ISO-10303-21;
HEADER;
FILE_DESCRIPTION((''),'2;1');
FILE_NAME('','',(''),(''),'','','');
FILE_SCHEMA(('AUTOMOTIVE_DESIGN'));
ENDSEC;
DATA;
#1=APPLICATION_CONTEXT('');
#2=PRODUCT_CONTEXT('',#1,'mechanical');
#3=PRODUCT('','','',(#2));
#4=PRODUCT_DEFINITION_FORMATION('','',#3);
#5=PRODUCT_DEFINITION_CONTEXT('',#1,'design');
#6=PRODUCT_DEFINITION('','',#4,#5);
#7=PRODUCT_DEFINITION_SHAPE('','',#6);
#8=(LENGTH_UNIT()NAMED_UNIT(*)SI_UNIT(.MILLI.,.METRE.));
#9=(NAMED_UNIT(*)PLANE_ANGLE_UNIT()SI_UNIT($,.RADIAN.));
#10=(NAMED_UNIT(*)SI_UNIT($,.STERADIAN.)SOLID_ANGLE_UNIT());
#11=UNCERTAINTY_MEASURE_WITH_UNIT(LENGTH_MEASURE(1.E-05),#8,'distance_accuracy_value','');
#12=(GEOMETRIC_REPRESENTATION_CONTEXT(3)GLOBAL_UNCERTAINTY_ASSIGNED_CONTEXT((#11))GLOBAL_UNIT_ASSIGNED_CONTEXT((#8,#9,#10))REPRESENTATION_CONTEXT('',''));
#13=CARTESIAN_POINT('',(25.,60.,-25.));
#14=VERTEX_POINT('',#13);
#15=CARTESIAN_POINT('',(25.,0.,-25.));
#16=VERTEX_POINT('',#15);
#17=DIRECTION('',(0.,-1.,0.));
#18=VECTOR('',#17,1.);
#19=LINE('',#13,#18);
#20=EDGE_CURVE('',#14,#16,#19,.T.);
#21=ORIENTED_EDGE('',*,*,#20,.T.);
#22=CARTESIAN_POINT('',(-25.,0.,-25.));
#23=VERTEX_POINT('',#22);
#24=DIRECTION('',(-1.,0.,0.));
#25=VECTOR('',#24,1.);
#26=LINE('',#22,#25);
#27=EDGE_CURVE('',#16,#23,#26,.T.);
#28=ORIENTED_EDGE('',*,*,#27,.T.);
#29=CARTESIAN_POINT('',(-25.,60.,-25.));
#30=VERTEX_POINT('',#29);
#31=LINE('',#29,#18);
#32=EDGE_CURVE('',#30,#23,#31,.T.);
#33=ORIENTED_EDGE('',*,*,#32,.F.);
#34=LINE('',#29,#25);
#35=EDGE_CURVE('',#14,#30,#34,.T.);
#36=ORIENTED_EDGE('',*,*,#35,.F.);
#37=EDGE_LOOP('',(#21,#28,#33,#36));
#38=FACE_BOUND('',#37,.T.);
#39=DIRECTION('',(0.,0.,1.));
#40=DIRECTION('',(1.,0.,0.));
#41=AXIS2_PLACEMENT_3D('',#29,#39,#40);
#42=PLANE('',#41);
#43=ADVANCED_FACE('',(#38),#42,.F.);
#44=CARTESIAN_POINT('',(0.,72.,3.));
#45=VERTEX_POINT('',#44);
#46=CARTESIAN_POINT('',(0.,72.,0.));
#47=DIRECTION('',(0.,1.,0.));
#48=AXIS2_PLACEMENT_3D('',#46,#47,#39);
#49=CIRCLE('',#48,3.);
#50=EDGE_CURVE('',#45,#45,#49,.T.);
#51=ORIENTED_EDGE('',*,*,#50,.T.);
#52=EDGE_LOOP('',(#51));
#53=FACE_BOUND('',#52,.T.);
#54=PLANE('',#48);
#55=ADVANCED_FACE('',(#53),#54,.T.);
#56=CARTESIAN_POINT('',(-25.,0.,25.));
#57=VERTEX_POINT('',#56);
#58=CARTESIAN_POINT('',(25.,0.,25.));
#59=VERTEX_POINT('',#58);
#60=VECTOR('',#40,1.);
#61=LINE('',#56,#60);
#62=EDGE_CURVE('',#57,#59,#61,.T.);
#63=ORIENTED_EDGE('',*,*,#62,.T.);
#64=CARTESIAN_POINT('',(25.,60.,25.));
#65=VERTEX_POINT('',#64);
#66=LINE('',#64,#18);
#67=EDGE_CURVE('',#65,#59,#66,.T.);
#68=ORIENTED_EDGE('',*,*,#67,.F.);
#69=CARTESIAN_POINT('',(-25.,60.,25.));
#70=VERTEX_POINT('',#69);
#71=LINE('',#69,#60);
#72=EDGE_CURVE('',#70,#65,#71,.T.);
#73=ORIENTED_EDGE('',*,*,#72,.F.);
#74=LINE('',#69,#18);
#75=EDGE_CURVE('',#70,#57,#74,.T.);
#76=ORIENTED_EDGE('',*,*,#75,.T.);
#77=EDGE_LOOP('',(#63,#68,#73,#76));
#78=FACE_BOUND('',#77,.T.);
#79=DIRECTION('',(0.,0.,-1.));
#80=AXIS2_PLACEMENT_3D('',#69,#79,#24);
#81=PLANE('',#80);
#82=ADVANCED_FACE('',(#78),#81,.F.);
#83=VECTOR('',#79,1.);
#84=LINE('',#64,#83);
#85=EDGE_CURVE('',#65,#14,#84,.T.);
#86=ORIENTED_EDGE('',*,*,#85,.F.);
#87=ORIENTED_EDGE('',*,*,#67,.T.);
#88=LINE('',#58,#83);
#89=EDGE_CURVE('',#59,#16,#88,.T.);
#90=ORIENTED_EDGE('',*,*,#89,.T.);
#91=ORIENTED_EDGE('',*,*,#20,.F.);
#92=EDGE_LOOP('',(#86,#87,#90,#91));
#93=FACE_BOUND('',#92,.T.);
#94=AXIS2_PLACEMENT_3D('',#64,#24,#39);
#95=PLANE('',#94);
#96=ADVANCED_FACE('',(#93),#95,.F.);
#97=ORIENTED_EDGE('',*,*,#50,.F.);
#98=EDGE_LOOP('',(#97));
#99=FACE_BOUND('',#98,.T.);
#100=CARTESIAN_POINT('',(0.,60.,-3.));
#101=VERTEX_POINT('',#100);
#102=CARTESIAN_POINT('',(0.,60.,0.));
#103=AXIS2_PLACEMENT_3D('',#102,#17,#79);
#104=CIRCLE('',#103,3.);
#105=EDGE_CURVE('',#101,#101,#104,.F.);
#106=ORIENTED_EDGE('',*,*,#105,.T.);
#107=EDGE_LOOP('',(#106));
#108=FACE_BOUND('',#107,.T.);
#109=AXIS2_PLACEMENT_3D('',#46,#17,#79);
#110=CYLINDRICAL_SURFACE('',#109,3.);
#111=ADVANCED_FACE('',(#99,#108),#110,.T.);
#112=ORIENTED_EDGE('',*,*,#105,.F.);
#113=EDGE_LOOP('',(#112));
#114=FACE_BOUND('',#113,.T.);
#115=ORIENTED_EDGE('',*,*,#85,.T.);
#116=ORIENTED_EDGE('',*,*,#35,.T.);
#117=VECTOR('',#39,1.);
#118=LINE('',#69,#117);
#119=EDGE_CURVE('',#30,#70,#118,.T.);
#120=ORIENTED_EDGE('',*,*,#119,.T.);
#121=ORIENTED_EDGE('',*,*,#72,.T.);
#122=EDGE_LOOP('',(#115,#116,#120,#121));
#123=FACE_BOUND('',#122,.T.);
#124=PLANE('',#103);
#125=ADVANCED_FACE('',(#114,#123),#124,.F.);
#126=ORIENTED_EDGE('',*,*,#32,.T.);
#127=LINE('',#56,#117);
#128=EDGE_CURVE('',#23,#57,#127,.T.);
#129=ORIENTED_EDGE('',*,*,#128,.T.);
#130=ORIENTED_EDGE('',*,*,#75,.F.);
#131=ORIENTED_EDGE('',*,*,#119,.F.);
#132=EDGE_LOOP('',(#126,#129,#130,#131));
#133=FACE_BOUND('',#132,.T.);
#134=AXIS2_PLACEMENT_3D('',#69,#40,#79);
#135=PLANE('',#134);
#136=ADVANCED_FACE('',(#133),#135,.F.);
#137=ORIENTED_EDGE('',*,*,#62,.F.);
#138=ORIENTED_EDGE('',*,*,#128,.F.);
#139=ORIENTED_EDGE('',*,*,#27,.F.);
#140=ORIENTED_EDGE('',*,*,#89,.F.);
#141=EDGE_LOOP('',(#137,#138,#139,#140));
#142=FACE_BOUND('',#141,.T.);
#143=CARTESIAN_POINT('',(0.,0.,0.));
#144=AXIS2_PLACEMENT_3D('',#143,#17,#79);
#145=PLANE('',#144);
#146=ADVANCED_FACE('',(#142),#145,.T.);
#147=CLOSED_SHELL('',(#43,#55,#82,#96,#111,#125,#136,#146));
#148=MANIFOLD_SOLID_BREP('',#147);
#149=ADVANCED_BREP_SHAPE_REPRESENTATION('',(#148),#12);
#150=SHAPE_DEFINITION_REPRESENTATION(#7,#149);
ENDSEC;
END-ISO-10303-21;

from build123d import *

# Parameters (mm, degrees)
SKETCH1_W           = 50
SKETCH1_H           = 50
BOSS_EXTRUDE1_DEPTH = 60
SKETCH2_R           = 3
BOSS_EXTRUDE2_DEPTH = 12


with BuildPart() as part:
    # Sketch1 → Boss-Extrude1 (new body)
    with BuildSketch(Plane(origin=(0, 0, 0), x_dir=(1, 0, 0), z_dir=(0, 1, 0))):
        Rectangle(SKETCH1_W, SKETCH1_H)
    extrude(amount=BOSS_EXTRUDE1_DEPTH)

    # Sketch2 → Boss-Extrude2 (add)
    with BuildSketch(Plane(origin=(0, 60, 0), x_dir=(1, 0, 0), z_dir=(0, 1, 0))):
        Circle(SKETCH2_R)
    extrude(amount=BOSS_EXTRUDE2_DEPTH)


solid = part.part
